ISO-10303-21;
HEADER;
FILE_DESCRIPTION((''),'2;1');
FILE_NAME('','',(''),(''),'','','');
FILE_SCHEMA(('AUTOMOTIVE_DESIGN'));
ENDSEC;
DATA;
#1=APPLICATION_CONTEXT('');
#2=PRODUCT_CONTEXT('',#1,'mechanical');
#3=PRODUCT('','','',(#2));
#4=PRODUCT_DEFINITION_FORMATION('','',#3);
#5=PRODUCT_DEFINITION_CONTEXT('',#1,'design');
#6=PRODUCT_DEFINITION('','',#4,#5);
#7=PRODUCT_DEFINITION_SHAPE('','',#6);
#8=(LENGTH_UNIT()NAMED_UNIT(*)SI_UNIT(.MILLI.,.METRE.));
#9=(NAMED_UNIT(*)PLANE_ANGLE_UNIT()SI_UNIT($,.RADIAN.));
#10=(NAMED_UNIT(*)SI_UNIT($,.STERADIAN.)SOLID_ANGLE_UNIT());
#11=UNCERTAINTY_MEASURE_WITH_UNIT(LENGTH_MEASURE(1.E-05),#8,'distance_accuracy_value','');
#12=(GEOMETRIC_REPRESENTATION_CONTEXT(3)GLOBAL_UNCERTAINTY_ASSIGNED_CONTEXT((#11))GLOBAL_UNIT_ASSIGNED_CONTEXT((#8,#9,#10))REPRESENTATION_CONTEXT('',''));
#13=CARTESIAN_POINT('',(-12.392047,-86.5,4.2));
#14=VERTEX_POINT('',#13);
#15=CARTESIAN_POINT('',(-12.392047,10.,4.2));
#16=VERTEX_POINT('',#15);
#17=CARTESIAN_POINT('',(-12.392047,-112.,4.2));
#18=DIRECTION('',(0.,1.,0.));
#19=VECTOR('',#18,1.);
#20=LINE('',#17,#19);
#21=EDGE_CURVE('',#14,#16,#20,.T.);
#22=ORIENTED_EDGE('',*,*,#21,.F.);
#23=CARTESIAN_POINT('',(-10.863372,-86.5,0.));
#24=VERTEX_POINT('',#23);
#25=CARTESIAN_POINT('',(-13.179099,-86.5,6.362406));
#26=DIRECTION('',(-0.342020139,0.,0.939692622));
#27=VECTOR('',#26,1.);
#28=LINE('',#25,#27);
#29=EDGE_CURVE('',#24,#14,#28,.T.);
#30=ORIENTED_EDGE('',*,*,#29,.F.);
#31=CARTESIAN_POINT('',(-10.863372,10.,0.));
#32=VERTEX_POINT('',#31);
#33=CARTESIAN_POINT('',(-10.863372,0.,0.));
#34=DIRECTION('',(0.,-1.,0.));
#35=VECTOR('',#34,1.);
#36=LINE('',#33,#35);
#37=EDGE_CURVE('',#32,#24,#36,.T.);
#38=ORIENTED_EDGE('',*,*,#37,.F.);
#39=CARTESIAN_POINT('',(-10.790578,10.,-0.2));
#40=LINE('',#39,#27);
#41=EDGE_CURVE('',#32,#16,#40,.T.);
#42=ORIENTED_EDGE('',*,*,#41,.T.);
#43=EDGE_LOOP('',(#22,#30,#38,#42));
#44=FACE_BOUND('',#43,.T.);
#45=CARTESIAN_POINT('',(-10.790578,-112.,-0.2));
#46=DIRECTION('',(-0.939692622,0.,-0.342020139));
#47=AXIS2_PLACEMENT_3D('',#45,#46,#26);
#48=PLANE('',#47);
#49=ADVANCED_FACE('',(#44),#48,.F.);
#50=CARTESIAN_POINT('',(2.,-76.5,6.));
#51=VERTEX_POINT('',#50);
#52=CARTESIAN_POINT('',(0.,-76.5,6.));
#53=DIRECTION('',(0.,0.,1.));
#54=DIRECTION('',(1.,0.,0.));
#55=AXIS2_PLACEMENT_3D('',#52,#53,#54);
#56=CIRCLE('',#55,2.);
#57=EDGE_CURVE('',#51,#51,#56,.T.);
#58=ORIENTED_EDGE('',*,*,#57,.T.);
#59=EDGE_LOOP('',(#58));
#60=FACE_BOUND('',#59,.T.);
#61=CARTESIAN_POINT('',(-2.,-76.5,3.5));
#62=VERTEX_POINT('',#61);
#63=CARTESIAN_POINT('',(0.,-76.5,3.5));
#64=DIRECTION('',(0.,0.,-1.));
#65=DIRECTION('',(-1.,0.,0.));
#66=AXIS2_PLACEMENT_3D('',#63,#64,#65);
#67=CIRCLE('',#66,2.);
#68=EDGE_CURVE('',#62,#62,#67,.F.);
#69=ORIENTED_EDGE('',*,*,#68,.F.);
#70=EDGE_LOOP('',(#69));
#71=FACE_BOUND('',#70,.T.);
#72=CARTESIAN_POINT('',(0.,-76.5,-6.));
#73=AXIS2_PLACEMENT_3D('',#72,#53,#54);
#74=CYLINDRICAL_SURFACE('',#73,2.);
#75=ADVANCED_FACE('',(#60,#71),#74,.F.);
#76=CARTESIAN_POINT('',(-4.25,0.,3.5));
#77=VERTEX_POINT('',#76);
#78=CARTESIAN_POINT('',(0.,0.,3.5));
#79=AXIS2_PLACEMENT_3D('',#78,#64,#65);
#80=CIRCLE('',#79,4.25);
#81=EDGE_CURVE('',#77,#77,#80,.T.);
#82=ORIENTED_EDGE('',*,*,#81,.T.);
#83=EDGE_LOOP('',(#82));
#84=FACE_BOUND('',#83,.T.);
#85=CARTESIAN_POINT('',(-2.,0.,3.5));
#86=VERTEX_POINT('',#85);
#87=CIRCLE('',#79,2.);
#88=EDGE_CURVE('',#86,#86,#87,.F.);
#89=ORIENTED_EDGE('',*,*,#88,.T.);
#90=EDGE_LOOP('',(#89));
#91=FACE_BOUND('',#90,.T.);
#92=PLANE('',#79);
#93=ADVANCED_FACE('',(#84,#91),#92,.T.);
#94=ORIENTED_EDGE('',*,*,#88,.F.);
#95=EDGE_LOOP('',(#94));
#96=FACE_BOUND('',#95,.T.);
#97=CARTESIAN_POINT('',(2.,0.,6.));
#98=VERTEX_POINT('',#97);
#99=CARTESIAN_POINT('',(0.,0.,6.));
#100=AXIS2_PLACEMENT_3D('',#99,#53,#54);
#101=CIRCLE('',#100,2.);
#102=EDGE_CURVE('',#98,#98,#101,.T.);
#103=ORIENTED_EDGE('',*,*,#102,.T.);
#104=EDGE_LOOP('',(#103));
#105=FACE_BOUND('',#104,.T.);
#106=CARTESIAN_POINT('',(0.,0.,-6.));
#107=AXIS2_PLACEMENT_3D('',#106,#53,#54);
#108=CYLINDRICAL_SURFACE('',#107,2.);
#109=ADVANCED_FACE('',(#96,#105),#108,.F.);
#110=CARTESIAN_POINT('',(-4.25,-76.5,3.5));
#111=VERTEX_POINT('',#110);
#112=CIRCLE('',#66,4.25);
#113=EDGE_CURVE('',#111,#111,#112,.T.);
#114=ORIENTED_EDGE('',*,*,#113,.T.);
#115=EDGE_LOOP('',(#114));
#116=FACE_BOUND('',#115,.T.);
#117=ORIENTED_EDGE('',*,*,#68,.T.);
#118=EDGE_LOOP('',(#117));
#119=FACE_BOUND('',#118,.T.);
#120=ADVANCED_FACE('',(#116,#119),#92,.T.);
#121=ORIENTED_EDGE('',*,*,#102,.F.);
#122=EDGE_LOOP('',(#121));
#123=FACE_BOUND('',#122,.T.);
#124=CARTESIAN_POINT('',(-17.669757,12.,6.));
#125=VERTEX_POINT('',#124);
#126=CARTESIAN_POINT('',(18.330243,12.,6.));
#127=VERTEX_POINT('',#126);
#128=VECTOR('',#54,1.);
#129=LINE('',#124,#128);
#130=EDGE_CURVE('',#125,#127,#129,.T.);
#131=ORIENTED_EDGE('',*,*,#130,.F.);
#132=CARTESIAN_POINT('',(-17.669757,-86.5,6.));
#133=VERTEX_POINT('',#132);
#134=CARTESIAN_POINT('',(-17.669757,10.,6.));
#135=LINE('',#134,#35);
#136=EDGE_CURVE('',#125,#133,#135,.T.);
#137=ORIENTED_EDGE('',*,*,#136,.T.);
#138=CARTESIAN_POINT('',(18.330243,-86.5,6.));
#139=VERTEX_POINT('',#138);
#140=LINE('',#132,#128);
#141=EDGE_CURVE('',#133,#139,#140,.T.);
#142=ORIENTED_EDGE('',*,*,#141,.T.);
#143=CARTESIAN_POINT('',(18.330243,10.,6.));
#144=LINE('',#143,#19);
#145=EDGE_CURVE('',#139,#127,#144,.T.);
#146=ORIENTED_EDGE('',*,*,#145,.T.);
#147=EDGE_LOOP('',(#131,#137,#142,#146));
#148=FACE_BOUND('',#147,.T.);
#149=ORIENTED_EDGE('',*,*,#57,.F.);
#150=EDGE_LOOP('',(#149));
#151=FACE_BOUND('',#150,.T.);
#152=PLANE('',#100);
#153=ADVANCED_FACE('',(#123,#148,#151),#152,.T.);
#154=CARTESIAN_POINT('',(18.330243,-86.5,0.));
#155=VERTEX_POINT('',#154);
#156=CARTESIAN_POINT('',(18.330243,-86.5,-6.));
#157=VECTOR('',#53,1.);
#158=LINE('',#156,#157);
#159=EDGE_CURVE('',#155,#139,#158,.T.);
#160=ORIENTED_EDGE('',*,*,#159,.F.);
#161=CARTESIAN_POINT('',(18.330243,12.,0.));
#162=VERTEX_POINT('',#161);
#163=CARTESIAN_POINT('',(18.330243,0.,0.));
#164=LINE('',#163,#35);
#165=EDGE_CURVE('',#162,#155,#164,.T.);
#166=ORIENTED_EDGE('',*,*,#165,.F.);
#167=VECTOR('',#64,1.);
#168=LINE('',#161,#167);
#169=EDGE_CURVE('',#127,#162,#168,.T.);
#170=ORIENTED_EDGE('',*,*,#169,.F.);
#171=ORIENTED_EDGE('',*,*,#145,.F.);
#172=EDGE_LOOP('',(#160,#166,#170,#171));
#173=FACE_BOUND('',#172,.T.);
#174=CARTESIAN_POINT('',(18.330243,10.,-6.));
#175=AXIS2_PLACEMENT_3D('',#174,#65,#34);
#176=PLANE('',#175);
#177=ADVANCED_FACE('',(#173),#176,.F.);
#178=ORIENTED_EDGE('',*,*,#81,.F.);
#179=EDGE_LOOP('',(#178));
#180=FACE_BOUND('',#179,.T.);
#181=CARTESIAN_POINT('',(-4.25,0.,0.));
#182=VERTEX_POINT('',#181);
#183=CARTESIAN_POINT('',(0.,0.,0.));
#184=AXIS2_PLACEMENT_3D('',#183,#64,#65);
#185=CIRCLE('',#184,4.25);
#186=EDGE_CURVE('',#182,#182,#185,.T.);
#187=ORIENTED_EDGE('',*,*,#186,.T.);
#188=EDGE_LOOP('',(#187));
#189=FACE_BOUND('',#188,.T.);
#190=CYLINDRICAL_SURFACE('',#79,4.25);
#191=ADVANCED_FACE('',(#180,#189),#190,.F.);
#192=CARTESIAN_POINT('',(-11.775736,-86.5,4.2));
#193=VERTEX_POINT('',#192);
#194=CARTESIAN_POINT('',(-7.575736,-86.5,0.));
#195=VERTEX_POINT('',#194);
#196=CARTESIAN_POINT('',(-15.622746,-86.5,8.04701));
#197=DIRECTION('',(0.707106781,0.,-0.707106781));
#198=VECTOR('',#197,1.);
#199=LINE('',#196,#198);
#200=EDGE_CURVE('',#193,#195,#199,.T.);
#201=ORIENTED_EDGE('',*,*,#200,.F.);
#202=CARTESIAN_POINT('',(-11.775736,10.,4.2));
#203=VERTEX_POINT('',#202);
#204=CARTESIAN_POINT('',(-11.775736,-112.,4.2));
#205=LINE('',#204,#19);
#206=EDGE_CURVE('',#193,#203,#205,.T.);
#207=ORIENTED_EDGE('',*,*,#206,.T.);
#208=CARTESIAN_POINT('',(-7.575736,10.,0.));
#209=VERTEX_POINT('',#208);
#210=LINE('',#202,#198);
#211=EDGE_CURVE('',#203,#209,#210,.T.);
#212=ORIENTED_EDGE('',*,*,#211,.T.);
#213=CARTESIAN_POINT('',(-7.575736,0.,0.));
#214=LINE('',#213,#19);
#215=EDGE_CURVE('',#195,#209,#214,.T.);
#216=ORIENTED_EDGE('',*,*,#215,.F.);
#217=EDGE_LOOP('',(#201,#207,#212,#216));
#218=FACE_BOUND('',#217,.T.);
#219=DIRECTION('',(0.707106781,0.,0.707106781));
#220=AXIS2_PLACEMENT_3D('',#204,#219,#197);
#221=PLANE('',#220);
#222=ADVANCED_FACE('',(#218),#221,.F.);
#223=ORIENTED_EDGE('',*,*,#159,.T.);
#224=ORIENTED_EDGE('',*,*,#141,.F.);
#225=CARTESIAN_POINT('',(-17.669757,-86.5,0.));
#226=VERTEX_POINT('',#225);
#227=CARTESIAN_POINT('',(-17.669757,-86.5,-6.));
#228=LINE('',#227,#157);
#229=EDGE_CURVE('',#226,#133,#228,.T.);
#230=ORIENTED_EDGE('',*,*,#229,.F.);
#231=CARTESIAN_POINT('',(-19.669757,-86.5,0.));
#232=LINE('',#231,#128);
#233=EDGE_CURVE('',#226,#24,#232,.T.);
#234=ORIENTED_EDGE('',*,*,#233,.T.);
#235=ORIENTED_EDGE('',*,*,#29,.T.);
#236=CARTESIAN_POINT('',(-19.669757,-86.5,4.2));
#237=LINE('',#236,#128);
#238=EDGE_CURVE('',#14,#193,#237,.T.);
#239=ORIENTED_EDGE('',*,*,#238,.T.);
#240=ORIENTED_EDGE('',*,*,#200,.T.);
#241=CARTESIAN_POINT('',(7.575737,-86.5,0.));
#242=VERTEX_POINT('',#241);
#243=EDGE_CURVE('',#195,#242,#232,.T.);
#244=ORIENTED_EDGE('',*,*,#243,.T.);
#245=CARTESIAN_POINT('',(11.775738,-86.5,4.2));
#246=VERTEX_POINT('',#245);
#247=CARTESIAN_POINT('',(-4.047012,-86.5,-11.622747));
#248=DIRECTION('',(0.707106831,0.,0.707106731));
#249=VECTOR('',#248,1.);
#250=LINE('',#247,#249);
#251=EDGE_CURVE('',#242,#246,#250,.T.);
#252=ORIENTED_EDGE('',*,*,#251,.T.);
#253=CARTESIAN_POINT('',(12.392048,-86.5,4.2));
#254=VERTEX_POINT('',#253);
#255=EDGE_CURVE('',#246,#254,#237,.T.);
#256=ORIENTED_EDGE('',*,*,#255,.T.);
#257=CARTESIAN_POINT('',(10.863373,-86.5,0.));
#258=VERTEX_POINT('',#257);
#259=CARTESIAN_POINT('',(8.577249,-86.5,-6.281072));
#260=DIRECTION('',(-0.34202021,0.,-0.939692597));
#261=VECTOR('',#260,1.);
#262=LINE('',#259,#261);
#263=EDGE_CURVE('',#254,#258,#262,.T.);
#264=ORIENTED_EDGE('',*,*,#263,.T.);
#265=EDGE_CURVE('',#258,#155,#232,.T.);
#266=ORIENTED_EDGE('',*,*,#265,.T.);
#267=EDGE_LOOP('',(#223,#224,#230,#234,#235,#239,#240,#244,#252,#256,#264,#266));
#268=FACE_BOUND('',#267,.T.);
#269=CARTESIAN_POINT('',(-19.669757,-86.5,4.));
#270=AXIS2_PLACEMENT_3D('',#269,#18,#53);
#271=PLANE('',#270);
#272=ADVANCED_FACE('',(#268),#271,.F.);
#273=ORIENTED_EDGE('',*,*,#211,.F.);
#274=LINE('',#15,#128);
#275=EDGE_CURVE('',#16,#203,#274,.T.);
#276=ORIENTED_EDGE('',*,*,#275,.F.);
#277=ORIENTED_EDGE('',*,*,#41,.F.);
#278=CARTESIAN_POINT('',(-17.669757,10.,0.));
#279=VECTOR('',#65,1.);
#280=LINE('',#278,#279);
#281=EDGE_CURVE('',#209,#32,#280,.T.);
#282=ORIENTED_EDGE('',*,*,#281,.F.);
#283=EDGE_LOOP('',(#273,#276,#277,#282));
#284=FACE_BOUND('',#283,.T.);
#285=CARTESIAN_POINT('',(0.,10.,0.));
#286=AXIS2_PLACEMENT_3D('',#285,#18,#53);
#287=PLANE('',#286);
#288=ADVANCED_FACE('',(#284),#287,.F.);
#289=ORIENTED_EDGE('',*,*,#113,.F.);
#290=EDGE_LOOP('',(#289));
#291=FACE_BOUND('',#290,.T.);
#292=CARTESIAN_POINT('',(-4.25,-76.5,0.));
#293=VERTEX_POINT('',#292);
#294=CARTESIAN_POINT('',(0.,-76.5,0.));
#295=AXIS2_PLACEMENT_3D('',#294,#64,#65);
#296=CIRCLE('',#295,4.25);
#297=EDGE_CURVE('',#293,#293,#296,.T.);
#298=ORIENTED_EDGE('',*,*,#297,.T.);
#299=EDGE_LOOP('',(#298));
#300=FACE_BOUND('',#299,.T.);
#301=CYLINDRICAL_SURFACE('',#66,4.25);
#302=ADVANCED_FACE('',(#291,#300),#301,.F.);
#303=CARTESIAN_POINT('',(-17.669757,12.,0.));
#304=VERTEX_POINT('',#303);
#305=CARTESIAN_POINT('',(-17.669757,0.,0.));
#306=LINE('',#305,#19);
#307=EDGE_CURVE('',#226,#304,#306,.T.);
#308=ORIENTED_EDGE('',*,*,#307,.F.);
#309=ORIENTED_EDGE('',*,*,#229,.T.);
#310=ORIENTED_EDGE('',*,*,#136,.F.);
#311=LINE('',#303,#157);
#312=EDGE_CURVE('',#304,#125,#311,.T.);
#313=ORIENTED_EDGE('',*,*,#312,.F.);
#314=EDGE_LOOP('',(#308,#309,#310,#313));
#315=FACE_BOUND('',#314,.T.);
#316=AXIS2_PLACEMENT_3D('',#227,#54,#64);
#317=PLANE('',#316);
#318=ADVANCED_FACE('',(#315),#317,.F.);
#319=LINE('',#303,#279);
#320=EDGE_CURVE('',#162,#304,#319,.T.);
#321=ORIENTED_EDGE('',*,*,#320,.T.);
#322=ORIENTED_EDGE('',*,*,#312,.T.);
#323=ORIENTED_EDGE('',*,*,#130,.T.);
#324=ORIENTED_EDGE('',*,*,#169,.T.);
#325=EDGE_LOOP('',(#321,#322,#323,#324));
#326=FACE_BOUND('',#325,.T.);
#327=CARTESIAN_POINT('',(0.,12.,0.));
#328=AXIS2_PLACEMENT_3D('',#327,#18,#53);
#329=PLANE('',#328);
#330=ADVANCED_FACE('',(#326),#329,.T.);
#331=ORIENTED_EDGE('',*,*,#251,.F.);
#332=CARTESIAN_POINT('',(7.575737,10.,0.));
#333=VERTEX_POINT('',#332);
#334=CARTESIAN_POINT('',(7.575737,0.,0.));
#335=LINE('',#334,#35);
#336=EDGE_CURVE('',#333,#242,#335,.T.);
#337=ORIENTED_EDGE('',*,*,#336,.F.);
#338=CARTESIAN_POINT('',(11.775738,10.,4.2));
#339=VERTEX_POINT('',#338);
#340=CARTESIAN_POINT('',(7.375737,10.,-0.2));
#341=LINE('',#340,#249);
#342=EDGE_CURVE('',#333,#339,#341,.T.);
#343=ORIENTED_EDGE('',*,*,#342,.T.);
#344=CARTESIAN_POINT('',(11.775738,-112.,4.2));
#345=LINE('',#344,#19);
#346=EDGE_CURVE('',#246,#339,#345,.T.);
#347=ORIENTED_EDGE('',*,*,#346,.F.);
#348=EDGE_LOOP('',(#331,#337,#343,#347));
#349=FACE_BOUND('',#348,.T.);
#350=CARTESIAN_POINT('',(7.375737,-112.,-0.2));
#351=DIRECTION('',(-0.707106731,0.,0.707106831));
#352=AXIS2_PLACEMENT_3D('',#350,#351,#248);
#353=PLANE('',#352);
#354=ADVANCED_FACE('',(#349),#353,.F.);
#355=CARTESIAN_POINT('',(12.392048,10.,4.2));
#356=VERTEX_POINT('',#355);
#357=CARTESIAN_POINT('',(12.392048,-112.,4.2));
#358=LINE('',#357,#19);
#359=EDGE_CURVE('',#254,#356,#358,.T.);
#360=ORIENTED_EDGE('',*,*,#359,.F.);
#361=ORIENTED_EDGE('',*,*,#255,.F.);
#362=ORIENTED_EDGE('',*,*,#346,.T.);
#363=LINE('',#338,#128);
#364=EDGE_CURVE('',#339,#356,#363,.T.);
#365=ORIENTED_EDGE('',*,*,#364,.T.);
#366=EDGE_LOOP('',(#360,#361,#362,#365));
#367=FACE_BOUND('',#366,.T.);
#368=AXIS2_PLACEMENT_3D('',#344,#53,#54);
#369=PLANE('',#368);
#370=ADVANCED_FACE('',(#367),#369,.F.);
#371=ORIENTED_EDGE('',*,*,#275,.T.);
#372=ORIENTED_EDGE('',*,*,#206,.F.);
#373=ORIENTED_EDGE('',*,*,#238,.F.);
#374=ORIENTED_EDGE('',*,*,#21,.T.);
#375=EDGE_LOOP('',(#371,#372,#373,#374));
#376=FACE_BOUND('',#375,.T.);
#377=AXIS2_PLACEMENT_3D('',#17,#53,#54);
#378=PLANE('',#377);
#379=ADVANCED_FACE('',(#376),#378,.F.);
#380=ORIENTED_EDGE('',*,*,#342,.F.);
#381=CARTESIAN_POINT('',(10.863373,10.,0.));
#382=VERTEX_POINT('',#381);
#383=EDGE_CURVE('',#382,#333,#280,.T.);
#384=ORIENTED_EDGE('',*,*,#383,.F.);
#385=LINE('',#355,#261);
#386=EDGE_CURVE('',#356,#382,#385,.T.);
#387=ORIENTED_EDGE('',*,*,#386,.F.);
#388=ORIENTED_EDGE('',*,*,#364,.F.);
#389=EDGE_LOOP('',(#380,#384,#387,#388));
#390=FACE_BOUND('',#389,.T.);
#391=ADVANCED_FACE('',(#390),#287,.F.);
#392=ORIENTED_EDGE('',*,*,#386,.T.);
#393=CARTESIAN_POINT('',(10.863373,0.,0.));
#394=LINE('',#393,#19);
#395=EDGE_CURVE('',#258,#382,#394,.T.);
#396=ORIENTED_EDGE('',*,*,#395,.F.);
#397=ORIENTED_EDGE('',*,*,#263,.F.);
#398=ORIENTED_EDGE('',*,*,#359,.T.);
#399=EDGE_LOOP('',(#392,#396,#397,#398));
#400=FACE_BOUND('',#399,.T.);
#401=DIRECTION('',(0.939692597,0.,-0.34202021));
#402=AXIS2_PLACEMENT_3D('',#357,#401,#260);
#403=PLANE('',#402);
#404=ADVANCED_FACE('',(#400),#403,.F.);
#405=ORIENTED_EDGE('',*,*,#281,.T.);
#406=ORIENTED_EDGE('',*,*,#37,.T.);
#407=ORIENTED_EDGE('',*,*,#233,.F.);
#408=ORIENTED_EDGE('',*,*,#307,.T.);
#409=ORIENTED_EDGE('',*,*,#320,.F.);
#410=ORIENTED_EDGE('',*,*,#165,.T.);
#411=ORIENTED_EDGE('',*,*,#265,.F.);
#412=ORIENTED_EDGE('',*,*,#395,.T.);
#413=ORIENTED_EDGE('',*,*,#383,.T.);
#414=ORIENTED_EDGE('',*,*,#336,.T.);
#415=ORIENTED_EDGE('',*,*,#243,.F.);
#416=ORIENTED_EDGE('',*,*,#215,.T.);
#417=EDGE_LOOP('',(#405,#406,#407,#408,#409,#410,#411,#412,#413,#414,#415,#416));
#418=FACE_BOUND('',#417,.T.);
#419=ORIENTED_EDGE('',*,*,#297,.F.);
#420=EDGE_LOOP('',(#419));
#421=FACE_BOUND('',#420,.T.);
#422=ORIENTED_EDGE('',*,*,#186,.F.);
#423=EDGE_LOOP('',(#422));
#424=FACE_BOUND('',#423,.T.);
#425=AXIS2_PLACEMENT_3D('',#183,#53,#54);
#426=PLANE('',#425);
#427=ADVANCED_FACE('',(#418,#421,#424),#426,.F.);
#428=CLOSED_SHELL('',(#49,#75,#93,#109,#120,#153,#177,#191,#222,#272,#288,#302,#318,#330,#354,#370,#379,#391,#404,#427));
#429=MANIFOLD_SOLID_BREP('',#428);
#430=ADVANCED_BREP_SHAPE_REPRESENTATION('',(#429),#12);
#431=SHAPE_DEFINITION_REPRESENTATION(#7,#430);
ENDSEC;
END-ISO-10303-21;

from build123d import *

# Parameters (mm, degrees)
SKETCH1_W           = 40
SKETCH1_H           = 96.5
BOSS_EXTRUDE1_DEPTH = 4
CUT_EXTRUDE3_DEPTH  = 20
SKETCH5_R           = 2
CUT_EXTRUDE5_DEPTH  = 10
SKETCH6_W           = 2
SKETCH6_H           = 96.5
CUT_EXTRUDE6_DEPTH  = 10
SKETCH7_W           = 36
SKETCH7_H           = 96.5
SKETCH7_R           = 2
BOSS_EXTRUDE2_DEPTH = 2
CUT_EXTRUDE7_DEPTH  = 97.5
SKETCH8_R           = 4.25
SKETCH8_R_2         = 2
CUT_EXTRUDE8_DEPTH  = 3.5
CUT_EXTRUDE10_DEPTH = 122
SKETCH10_W          = 36
SKETCH10_H          = 6
BOSS_EXTRUDE3_DEPTH = 2


with BuildPart() as part:
    # Sketch1 → Boss-Extrude1 (new body)
    with BuildSketch(Plane.XY):
        with Locations((0.330243162, -38.25)):
            Rectangle(SKETCH1_W, SKETCH1_H)
    extrude(amount=BOSS_EXTRUDE1_DEPTH)

    # Sketch3 → Cut-Extrude3 (cut)
    with BuildSketch(Plane.XZ.offset(86.5)):
        Polygon((-12.106417754, 4), (-10.650536835, 0), (-7.858578609, 0), (-11.858578609, 4), align=None)
        Polygon((11.858580346, 4), (7.858579777, 0), (10.650537342, 0), (12.106418599, 4), align=None)
    extrude(amount=-CUT_EXTRUDE3_DEPTH, mode=Mode.SUBTRACT)

    # Sketch5 → Cut-Extrude5 (cut)
    with BuildSketch(Plane.XY.offset(4)):
        Circle(SKETCH5_R)
        with Locations((0, -76.5)):
            Circle(SKETCH5_R)
    extrude(amount=-CUT_EXTRUDE5_DEPTH, mode=Mode.SUBTRACT)

    # Sketch6 → Cut-Extrude6 (cut)
    with BuildSketch(Plane.XY.offset(4)):
        with Locations((-18.669756838, -38.25)):
            Rectangle(SKETCH6_W, SKETCH6_H)
        with Locations((19.330243162, -38.25)):
            Rectangle(SKETCH6_W, SKETCH6_H)
    extrude(amount=-CUT_EXTRUDE6_DEPTH, mode=Mode.SUBTRACT)

    # Sketch7 → Boss-Extrude2 (add)
    with BuildSketch(Plane.XY.offset(4)):
        with Locations((0.330243162, -38.25)):
            Rectangle(SKETCH7_W, SKETCH7_H)
        with Locations((0, -76.5)):
            Circle(SKETCH7_R, mode=Mode.SUBTRACT)
        Circle(SKETCH7_R, mode=Mode.SUBTRACT)
    extrude(amount=BOSS_EXTRUDE2_DEPTH)

    # Sketch4 → Cut-Extrude7 (cut, through all)
    with BuildSketch(Plane(origin=(0, 10, 0), x_dir=(1, 0, 0), z_dir=(0, 1, 0))):
        Polygon((-11.858578609, -4), (-7.858578609, 0), (-10.650536835, 0), (-12.106417754, -4), align=None)
        Polygon((10.650537342, 0), (7.858579777, 0), (11.858580346, -4), (12.106418599, -4), align=None)
    extrude(amount=-CUT_EXTRUDE7_DEPTH, mode=Mode.SUBTRACT)

    # Sketch8 → Cut-Extrude8 (cut)
    with BuildSketch(Plane(origin=(0, 0, 0), x_dir=(-1, 0, 0), z_dir=(0, 0, -1))):
        Circle(SKETCH8_R)
        Circle(SKETCH8_R_2, mode=Mode.SUBTRACT)
        with Locations((0, -76.5)):
            Circle(SKETCH8_R)
        with Locations((0, -76.5)):
            Circle(SKETCH8_R_2, mode=Mode.SUBTRACT)
    extrude(amount=-CUT_EXTRUDE8_DEPTH, mode=Mode.SUBTRACT)

    # Sketch9 → Cut-Extrude10 (cut)
    with BuildSketch(Plane(origin=(0, 10, 0), x_dir=(1, 0, 0), z_dir=(0, 1, 0))):
        Polygon((-10.790578344, 0.2), (-7.375735897, 0.2), (-11.775735897, -4.2), (-12.392047354, -4.2), align=None)
        Polygon((7.375737016, 0.2), (10.790578839, 0.2), (12.392048222, -4.2), (11.775737642, -4.2), align=None)
    extrude(amount=-CUT_EXTRUDE10_DEPTH, mode=Mode.SUBTRACT)

    # Sketch10 → Boss-Extrude3 (add)
    with BuildSketch(Plane(origin=(0, 10, 0), x_dir=(1, 0, 0), z_dir=(0, 1, 0))):
        with Locations((0.330243162, -3)):
            Rectangle(SKETCH10_W, SKETCH10_H)
    extrude(amount=BOSS_EXTRUDE3_DEPTH)


solid = part.part
